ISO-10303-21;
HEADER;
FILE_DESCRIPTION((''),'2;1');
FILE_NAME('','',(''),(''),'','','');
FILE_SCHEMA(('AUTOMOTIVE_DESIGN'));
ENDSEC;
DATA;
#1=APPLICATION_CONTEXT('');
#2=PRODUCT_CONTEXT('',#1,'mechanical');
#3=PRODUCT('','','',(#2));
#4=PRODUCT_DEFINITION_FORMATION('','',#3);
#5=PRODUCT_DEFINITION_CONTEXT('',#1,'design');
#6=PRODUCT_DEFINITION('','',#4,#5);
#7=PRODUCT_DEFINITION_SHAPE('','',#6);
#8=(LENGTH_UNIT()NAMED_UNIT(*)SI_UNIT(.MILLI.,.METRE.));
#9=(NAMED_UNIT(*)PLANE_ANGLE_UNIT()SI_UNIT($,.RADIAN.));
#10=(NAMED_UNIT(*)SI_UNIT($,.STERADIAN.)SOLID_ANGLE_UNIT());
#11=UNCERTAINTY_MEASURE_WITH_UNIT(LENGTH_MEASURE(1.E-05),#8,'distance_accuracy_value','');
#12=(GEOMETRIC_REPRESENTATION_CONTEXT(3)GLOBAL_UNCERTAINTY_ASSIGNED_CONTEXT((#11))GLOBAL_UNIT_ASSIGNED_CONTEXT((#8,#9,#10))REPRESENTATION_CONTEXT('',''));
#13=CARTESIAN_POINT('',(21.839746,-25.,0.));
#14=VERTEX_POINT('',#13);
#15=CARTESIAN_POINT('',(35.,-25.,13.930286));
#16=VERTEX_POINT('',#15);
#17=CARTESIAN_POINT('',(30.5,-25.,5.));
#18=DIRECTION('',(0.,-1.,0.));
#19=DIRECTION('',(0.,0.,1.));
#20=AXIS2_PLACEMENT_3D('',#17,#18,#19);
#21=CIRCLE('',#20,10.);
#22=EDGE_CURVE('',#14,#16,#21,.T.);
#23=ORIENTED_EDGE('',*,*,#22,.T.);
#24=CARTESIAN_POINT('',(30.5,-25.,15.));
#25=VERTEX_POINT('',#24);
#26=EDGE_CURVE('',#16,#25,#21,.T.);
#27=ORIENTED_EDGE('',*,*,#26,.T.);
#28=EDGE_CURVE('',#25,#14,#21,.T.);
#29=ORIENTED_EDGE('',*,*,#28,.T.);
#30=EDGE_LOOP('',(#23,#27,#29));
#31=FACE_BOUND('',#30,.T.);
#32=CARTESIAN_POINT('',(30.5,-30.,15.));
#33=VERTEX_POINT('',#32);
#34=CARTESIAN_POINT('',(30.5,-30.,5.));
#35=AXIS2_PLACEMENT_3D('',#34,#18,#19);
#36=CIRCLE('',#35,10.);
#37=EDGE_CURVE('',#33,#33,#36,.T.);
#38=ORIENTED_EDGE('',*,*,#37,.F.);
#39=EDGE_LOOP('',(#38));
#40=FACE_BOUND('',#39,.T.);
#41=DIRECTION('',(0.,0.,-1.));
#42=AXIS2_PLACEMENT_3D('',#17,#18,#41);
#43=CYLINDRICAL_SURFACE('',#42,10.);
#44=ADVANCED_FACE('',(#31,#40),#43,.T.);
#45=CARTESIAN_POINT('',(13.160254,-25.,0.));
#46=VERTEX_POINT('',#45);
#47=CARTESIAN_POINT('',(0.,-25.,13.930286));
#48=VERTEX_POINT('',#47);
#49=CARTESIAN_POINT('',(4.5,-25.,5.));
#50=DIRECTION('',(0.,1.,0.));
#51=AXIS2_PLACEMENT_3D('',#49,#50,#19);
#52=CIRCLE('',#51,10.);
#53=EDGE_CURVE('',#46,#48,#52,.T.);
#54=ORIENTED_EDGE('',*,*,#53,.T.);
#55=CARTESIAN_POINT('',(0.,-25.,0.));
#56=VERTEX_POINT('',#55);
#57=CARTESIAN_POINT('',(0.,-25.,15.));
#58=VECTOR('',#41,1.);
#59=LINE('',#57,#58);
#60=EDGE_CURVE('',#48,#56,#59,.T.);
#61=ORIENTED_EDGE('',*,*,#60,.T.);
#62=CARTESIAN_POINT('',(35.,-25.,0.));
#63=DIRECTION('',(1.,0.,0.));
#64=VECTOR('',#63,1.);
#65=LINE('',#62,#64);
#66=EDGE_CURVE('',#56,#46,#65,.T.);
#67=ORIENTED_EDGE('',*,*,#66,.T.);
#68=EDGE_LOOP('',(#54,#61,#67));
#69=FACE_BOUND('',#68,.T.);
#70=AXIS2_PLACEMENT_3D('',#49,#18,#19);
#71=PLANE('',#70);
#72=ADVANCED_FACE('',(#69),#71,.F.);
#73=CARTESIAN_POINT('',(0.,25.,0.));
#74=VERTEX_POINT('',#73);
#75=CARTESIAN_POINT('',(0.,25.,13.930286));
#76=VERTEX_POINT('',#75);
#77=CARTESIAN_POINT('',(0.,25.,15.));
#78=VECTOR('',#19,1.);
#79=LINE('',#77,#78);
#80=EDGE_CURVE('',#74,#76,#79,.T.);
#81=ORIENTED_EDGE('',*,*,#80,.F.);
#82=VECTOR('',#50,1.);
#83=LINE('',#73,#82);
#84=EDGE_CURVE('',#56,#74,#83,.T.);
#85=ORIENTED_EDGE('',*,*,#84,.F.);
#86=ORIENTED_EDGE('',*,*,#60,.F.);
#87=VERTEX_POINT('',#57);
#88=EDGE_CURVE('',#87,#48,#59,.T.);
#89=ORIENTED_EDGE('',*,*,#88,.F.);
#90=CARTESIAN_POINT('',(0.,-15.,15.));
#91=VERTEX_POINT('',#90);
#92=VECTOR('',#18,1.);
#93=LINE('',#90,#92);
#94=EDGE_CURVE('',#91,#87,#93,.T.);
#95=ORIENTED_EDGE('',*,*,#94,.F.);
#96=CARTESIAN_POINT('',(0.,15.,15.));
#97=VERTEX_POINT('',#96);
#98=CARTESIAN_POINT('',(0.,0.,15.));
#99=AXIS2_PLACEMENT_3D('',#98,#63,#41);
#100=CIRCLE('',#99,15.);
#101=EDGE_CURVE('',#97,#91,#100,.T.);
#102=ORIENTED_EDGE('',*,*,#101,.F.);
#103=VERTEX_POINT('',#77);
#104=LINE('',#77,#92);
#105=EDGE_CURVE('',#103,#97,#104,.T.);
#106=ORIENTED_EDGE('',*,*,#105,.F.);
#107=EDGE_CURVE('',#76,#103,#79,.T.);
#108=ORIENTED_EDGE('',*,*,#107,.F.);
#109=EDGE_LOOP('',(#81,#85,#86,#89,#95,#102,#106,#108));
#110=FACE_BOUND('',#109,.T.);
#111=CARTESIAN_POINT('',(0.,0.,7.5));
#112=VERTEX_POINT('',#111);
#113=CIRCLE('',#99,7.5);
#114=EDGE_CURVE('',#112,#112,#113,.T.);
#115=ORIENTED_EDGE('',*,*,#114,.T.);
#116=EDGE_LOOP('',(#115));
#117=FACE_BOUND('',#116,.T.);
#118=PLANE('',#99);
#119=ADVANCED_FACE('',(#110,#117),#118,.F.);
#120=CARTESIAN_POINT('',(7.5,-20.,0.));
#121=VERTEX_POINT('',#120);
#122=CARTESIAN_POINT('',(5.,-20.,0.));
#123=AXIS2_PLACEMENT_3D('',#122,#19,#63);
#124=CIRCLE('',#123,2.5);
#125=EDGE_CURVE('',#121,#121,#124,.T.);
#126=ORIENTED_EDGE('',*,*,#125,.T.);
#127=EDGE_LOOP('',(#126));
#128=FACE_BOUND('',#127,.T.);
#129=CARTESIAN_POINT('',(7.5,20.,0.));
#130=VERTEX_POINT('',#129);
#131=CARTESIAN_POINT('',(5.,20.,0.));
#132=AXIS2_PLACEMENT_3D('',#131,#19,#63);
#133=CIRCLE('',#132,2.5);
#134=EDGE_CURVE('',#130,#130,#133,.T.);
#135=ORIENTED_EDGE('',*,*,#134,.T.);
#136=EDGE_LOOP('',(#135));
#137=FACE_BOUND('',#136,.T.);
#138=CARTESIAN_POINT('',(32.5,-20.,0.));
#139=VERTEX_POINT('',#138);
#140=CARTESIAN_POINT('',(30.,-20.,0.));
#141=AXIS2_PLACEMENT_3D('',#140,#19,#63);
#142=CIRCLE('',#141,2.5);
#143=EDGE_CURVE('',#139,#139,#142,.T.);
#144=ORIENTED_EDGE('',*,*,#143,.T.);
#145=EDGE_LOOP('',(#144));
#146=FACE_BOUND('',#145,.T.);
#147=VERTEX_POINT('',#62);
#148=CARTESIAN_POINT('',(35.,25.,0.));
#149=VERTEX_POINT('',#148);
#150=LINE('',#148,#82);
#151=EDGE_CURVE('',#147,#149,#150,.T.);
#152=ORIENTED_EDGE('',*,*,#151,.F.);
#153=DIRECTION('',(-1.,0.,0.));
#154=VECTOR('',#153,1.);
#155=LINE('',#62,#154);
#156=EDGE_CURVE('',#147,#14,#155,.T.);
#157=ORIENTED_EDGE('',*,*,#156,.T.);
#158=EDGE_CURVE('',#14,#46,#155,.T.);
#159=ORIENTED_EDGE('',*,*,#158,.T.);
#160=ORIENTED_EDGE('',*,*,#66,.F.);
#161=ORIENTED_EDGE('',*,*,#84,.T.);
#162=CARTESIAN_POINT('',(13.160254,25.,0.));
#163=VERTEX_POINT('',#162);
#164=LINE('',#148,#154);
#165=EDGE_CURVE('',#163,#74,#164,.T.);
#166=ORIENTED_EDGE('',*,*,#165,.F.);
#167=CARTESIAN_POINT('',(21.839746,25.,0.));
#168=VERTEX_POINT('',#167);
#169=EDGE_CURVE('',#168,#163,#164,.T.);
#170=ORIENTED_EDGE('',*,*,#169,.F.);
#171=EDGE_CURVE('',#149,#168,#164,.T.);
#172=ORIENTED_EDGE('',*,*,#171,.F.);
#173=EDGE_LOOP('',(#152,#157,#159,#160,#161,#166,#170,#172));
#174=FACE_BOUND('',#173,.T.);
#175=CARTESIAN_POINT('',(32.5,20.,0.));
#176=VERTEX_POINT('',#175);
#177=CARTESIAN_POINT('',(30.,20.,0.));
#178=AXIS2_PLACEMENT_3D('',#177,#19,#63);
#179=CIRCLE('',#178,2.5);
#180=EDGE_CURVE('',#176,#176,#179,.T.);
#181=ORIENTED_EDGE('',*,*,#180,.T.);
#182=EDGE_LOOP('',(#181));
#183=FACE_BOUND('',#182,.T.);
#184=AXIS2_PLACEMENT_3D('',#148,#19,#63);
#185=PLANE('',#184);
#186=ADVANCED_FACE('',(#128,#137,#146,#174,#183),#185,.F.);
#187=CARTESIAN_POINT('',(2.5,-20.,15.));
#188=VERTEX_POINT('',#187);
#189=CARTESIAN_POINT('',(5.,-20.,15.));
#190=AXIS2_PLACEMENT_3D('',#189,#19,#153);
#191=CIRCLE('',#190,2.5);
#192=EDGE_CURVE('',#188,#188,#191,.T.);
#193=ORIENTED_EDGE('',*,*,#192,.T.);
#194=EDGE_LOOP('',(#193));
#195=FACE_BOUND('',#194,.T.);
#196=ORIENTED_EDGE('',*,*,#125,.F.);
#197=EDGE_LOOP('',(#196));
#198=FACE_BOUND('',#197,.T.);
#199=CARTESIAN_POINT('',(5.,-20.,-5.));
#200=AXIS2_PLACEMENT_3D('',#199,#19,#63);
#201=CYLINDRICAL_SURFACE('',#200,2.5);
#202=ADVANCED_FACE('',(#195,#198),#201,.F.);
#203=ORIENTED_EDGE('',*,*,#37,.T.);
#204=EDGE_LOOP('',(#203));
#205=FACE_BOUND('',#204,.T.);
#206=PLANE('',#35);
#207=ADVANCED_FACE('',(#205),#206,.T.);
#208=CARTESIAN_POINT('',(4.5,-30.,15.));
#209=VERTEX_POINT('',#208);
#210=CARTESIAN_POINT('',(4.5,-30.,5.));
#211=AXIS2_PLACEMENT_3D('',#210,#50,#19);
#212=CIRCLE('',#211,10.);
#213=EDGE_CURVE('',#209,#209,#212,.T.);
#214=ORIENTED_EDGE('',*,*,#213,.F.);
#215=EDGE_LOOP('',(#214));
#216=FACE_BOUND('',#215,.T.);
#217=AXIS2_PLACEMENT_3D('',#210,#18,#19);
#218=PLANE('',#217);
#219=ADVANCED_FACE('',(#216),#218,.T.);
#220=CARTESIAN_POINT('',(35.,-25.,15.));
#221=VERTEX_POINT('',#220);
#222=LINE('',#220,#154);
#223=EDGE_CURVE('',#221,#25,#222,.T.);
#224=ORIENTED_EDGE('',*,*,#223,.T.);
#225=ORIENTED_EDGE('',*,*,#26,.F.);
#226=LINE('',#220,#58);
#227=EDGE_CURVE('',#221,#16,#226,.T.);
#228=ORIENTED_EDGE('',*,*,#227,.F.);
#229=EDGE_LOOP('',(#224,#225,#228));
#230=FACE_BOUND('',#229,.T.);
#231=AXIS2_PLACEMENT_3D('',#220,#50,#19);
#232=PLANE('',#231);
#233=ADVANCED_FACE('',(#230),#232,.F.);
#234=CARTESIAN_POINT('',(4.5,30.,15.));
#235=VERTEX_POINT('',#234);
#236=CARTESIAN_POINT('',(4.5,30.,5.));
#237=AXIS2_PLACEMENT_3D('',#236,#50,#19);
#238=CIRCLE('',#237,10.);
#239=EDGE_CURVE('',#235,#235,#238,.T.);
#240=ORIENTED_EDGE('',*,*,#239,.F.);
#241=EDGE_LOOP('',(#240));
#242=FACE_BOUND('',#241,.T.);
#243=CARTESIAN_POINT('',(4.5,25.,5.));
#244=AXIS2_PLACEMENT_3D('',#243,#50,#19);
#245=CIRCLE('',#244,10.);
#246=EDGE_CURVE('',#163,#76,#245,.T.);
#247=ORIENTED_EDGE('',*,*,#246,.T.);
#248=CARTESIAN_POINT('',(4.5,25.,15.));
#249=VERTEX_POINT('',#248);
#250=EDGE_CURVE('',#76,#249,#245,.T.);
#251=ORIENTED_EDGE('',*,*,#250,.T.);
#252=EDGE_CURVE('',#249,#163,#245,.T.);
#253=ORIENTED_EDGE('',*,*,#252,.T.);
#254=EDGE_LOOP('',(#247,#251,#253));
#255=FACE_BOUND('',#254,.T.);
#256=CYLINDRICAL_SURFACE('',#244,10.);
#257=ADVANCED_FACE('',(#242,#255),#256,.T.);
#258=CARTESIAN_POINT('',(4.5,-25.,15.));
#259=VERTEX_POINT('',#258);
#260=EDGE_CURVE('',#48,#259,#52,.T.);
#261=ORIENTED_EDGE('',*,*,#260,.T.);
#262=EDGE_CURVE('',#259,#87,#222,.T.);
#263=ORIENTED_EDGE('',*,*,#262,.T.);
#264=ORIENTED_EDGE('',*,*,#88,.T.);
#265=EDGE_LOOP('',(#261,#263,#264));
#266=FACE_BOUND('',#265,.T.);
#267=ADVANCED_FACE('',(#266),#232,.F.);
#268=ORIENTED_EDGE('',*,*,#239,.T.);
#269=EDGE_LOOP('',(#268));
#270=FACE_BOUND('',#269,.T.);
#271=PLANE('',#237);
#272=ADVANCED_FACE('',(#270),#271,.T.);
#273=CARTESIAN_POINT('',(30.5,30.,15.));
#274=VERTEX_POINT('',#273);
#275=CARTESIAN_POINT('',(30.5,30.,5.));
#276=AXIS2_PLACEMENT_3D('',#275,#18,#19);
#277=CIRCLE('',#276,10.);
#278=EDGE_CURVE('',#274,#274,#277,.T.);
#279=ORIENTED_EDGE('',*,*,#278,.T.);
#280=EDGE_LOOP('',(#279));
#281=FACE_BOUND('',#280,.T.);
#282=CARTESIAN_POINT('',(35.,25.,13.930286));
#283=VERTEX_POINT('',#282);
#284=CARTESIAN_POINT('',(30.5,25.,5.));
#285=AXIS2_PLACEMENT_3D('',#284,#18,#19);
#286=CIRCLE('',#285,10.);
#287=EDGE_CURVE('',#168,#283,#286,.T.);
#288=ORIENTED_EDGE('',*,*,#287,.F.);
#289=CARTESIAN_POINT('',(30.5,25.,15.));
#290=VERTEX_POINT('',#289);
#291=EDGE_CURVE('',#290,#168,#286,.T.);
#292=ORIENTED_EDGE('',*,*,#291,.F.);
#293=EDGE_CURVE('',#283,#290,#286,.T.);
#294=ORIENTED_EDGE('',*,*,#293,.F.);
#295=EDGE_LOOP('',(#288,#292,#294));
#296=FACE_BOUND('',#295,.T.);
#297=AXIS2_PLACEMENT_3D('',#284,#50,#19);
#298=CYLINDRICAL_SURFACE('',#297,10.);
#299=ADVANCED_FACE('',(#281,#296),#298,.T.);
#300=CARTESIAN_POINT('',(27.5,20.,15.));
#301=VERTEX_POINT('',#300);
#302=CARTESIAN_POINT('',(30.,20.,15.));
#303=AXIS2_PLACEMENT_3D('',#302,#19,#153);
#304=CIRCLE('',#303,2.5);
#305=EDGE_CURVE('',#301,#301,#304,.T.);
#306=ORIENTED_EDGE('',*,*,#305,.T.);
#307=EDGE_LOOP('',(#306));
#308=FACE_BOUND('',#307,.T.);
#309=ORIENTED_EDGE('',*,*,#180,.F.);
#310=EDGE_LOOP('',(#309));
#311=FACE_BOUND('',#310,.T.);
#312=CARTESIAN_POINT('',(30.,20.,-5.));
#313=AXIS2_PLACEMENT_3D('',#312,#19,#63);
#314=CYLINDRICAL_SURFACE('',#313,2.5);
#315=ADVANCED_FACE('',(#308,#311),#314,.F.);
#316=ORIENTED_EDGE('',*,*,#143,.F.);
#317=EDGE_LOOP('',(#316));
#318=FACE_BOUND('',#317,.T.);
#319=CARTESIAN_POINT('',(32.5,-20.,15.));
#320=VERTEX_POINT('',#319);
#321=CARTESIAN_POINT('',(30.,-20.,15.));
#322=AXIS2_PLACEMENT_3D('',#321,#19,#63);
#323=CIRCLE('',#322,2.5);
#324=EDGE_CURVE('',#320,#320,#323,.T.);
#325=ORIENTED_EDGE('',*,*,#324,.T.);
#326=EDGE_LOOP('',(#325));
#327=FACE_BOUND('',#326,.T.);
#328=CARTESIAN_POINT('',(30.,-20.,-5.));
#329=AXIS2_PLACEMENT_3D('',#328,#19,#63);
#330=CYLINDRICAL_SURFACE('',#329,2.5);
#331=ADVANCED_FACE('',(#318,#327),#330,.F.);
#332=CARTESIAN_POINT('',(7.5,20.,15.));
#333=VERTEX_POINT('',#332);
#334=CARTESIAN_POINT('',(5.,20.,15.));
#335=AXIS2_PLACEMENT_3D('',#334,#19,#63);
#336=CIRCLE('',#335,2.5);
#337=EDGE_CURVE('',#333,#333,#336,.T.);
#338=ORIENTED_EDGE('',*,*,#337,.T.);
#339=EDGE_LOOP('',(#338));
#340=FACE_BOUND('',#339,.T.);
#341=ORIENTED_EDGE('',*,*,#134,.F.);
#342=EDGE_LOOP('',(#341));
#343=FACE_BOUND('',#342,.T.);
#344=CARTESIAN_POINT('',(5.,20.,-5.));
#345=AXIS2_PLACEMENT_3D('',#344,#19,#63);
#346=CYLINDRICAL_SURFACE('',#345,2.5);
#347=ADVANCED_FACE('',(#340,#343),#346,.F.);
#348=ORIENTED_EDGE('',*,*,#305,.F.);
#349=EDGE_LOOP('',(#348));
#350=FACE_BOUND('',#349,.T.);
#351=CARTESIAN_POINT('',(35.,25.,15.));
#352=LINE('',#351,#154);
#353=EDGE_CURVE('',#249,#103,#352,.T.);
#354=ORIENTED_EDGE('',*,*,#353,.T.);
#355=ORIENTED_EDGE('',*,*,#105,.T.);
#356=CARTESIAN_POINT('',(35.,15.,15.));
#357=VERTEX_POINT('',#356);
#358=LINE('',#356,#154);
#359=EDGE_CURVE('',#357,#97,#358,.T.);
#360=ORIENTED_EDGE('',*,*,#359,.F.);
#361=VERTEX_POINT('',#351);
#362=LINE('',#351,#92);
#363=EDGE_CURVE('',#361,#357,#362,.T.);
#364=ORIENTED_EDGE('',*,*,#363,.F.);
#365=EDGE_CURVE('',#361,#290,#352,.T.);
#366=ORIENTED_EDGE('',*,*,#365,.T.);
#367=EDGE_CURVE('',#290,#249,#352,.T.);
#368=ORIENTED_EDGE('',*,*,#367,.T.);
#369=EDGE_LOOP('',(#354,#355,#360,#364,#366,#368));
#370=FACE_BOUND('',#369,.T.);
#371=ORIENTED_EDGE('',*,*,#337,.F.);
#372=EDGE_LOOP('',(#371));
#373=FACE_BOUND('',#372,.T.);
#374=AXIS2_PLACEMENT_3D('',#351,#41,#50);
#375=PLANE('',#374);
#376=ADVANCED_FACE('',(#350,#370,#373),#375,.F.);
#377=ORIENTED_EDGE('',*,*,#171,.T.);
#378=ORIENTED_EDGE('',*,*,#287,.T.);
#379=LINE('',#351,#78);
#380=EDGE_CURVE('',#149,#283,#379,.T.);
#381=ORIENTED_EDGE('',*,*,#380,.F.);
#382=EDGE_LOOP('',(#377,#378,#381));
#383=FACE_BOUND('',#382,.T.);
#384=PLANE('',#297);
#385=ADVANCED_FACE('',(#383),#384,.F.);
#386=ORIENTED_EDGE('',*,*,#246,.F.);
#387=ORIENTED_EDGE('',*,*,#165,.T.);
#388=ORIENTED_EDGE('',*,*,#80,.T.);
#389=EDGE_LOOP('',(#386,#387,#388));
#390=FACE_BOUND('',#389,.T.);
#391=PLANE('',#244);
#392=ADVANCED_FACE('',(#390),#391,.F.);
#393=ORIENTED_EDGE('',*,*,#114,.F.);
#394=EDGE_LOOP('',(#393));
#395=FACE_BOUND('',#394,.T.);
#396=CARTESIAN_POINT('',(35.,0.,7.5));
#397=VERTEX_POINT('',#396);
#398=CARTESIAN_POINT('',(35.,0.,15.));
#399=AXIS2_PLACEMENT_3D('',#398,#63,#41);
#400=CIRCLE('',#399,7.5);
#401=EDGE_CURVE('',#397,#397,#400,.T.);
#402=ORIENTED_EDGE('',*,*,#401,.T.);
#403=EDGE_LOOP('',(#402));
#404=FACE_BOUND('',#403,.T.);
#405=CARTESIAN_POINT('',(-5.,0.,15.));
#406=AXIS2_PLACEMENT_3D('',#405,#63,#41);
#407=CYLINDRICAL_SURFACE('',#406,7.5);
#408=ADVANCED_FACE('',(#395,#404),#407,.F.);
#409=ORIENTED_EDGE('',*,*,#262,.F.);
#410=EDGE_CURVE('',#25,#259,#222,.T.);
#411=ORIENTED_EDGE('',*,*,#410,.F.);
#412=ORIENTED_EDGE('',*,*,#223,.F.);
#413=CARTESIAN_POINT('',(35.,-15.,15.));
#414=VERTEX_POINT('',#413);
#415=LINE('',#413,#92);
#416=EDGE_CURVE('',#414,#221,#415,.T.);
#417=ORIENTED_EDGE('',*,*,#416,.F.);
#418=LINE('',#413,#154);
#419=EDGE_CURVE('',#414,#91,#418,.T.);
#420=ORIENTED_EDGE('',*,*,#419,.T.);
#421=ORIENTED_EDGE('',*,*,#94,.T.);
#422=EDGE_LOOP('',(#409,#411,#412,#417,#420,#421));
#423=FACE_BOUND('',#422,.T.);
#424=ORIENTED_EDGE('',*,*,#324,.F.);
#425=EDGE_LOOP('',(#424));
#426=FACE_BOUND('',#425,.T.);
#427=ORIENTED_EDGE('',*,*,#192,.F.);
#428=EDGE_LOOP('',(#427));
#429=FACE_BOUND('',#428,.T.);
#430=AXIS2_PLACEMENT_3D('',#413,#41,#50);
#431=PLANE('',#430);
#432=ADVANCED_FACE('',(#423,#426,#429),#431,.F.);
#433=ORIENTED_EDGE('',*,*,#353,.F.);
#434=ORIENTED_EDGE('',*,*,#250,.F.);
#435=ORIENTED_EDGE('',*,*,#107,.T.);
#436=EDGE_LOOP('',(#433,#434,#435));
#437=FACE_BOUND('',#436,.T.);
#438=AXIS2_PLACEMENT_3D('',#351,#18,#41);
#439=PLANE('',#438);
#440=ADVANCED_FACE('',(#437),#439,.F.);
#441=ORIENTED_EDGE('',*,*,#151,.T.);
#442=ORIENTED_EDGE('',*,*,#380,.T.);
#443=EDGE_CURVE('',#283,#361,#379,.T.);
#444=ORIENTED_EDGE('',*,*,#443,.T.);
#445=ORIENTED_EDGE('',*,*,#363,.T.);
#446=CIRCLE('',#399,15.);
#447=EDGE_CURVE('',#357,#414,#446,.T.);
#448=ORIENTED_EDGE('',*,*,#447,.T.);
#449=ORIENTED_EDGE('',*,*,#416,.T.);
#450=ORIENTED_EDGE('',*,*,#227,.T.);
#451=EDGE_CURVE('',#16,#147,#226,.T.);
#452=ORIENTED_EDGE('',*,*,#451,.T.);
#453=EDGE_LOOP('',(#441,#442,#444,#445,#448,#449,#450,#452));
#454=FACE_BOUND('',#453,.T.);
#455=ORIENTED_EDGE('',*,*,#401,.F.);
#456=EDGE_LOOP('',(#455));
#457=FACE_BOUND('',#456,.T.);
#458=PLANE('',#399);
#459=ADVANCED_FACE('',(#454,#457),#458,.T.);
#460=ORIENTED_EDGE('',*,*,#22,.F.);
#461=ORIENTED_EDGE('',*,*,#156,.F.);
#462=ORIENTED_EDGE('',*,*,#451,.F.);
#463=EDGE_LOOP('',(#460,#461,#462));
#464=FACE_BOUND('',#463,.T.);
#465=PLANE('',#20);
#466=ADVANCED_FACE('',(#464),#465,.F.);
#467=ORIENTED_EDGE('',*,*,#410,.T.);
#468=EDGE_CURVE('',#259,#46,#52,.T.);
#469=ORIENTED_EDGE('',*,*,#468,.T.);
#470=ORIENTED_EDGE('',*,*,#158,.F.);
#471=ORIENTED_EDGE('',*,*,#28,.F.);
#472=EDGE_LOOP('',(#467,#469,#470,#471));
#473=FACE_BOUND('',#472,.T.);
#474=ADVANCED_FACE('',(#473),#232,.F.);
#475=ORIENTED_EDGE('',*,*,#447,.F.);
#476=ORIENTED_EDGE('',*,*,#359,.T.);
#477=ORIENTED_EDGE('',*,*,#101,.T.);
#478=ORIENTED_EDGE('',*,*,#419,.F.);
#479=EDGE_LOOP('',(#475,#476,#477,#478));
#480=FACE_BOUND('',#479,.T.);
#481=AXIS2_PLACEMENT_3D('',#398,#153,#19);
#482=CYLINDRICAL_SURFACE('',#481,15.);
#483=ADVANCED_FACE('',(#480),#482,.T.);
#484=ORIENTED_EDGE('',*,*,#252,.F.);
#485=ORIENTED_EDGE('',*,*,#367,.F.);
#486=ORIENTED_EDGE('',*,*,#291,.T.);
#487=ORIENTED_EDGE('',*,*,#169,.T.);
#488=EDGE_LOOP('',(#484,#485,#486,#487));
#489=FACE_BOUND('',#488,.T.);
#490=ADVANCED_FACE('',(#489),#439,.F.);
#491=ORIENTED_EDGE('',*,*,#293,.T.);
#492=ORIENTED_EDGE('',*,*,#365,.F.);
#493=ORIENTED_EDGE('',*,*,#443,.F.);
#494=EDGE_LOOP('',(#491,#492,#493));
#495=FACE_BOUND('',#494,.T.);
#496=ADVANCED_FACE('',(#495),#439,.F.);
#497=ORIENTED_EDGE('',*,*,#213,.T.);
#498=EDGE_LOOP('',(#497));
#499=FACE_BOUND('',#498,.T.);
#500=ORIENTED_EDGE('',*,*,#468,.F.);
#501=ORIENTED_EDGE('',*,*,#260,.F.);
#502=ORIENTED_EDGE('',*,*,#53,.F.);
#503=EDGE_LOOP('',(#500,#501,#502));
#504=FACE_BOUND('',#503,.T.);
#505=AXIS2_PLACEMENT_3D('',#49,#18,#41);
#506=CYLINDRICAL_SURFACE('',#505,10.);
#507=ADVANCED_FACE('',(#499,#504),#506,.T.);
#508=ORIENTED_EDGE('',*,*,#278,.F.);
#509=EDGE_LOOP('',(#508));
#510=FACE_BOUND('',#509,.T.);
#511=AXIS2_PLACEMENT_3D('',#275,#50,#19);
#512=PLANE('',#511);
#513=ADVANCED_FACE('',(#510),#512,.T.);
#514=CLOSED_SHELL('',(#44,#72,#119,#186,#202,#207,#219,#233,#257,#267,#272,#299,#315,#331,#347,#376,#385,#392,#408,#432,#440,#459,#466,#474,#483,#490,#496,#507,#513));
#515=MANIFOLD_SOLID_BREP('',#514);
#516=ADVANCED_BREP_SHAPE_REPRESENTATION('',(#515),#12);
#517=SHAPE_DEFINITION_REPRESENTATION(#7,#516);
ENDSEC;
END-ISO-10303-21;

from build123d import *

# Parameters (mm, degrees)
BODY_DEPTH              = 35
SKETCH3_R               = 7.5
SHAFT_HOLE_DEPTH        = 40
SKETCH4_R               = 2.5
BOSS_EXTRUDE1_DEPTH     = 5
SKETCH5_R               = 10
BEARING_DEPTH           = 5
MIRROR5_COPY_1_SKETCH_R = 10
MIRROR5_COPY_1_DEPTH    = 5
SKETCH6_R               = 2.5
CUT_EXTRUDE1_DEPTH      = 55.224072145


with BuildPart() as part:
    # Sketch1 → body (new body)
    with BuildSketch(Plane(origin=(0, 0, 0), x_dir=(0, 0, -1), z_dir=(1, 0, 0))):
        with BuildLine():
            Line((-15, -15), (-15, -25))
            Line((-15, -25), (0, -25))
            Line((0, -25), (0, 25))
            Line((0, 25), (-15, 25))
            Line((-15, 25), (-15, 15))
            ThreePointArc((-15, 15), (-30, 0), (-15, -15))
        make_face()
    extrude(amount=BODY_DEPTH)

    # Sketch3 → shaft hole (cut)
    with BuildSketch(Plane(origin=(35, 0, 0), x_dir=(0, 0, -1), z_dir=(1, 0, 0))):
        with Locations((-15, 0)):
            Circle(SKETCH3_R)
    extrude(amount=-SHAFT_HOLE_DEPTH, mode=Mode.SUBTRACT)

    # Sketch4 → Boss-Extrude1 (add)
    with BuildSketch(Plane(origin=(0, 25, 0), x_dir=(1, 0, 0), z_dir=(0, 1, 0))):
        with Locations(Location((4.5, -5, 0), (0, 0, 90))):
            Circle(SKETCH4_R)
        with Locations(Location((30.5, -5, 0), (0, 0, 90))):
            Circle(SKETCH4_R)
    boss_extrude1 = extrude(amount=BOSS_EXTRUDE1_DEPTH)

    # Mirror1: Boss-Extrude1 across plane
    add(boss_extrude1.mirror(Plane.ZX))

    # Sketch5 → bearing (add)
    with BuildSketch(Plane(origin=(0, 30, 0), x_dir=(1, 0, 0), z_dir=(0, 1, 0))):
        with Locations(Location((4.5, -5, 0), (0, 0, 270))):
            Circle(SKETCH5_R)
    bearing = extrude(amount=-BEARING_DEPTH)

    # Mirror2: bearing across plane
    add(bearing.mirror(Plane.ZX))

    # Mirror5: bearing across plane
    add(bearing.mirror(Plane(origin=(17.5, 0, 0), x_dir=(0, 0, 1), z_dir=(1, 0, 0))))

    # Mirror5 copy 1 sketch → Mirror5 copy 1 (add)
    with BuildSketch(Plane(origin=(35, -30, 0), x_dir=(-1, 0, 0), z_dir=(0, -1, 0))):
        with Locations(Location((4.5, -5, 0), (0, 0, 270))):
            Circle(MIRROR5_COPY_1_SKETCH_R)
    extrude(amount=-MIRROR5_COPY_1_DEPTH)

    # Sketch6 → Cut-Extrude1 (cut, through all)
    with BuildSketch(Plane.XY.offset(15)):
        with Locations((5, 20)):
            Circle(SKETCH6_R)
        with Locations((30, 20)):
            Circle(SKETCH6_R)
        with Locations((30, -20)):
            Circle(SKETCH6_R)
        with Locations((5, -20)):
            Circle(SKETCH6_R)
    extrude(amount=-CUT_EXTRUDE1_DEPTH, mode=Mode.SUBTRACT)


solid = part.part
